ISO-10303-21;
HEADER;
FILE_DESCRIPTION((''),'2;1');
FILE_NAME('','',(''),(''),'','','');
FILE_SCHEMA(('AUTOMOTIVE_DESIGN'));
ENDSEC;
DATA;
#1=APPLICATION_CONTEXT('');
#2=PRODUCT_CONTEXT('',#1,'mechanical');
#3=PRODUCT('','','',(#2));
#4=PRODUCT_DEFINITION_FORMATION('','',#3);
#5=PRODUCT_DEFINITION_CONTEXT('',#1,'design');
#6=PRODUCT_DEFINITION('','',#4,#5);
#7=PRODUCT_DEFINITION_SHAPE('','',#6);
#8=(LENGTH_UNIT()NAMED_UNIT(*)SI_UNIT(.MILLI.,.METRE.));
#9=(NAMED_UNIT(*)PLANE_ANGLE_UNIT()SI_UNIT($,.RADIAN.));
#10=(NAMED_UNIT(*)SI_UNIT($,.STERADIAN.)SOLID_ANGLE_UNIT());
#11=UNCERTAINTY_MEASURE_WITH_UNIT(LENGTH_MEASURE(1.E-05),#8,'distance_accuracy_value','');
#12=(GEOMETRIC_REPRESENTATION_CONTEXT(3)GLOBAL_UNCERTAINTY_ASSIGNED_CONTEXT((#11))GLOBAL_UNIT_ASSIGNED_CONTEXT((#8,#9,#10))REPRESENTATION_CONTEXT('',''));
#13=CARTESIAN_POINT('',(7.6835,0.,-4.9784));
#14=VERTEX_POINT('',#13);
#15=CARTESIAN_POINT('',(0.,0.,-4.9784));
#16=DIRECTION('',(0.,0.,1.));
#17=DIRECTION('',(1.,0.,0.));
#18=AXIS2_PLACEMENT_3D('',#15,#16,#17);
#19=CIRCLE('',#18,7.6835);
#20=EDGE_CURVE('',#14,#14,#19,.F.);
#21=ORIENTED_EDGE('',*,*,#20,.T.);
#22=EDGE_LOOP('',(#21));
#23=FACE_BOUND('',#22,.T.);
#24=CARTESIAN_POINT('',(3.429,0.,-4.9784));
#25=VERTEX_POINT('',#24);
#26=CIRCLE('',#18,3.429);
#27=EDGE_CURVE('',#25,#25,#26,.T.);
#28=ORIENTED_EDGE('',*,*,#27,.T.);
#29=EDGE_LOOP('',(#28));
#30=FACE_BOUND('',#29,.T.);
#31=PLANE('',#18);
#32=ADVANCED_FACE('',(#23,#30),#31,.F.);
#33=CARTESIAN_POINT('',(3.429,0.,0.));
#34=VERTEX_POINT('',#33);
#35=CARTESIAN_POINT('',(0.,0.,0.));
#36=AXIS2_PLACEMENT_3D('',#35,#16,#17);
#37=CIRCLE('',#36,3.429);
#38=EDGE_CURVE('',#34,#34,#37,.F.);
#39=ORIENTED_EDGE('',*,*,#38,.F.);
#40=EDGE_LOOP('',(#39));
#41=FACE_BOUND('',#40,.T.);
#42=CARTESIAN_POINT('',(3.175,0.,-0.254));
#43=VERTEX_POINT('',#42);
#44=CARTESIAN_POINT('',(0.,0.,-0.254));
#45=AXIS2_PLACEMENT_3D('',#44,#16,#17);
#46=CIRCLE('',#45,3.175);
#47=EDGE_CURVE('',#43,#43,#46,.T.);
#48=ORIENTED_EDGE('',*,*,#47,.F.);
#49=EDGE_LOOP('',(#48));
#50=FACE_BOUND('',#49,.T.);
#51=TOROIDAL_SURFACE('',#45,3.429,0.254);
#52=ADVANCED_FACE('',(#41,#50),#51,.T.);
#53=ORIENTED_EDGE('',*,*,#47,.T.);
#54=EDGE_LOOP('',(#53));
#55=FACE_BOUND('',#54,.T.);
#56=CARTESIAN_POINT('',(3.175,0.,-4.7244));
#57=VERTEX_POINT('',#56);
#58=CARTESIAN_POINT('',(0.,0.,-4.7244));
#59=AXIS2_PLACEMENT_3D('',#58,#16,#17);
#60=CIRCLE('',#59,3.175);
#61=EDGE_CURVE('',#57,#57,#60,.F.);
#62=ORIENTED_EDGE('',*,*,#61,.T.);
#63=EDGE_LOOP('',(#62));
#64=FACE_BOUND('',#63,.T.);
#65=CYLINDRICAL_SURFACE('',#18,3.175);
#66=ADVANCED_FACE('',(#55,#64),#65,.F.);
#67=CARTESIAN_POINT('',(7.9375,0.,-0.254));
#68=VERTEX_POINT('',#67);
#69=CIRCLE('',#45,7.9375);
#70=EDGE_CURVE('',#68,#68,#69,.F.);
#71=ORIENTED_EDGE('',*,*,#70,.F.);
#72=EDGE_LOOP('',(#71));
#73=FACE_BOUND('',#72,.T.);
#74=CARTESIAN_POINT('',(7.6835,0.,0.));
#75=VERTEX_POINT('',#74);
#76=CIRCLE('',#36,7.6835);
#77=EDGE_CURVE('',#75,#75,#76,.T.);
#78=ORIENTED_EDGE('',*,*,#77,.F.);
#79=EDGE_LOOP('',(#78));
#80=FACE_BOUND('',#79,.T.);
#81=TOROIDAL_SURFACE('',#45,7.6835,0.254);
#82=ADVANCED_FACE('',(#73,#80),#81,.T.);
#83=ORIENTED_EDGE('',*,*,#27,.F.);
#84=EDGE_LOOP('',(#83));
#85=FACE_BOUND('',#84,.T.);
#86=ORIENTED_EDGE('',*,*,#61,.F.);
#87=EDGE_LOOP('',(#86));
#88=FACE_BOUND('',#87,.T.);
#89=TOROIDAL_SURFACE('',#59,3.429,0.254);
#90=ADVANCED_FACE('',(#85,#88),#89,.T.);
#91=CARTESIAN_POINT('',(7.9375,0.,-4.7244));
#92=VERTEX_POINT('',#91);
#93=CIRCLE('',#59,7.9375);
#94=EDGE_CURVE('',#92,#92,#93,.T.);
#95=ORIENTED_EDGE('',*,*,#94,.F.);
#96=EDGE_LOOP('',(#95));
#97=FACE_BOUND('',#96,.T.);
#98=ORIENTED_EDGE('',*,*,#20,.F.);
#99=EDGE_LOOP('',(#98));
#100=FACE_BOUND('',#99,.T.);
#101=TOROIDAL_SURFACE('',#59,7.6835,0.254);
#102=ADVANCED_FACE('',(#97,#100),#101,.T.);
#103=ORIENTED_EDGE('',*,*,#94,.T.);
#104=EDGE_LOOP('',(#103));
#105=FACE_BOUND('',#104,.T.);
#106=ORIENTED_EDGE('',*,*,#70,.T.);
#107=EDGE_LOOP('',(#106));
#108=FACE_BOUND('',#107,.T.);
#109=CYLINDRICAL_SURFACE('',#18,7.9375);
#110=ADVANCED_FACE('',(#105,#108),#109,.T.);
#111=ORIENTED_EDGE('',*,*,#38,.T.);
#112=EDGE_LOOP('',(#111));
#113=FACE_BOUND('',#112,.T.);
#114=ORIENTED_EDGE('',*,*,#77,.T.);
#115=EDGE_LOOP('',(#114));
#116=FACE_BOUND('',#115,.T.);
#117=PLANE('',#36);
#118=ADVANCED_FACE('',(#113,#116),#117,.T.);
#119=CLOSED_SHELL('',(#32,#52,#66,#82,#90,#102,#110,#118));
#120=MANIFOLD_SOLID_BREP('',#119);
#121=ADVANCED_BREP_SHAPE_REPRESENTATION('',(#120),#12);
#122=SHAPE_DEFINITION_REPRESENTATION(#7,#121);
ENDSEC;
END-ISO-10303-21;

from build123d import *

# Parameters (mm, degrees)
SKETCH1_R               = 7.9375
BOSS_EXTRUDE1_DEPTH     = 4.9784
CUT_EXTRUDE1_DEPTH      = 13.279750774
CUT_EXTRUDE1_DEPTH_BACK = 13.279750774
SKETCH2_R               = 3.175
FILLET1_R               = 0.254
FILLET2_R               = 0.254


with BuildPart() as part:
    # Sketch1 → Boss-Extrude1 (new body)
    with BuildSketch(Plane.XY):
        Circle(SKETCH1_R)
    extrude(amount=-BOSS_EXTRUDE1_DEPTH)

    # Sketch2 → Cut-Extrude1 (cut, two sides: drawn at the far end of the back side and taken through both)
    with BuildSketch(Plane.XY.offset(-CUT_EXTRUDE1_DEPTH_BACK)):
        Circle(SKETCH2_R)
    extrude(amount=CUT_EXTRUDE1_DEPTH + CUT_EXTRUDE1_DEPTH_BACK, mode=Mode.SUBTRACT)

    # Fillet1
    fillet1_edges = [part.edges().sort_by_distance(p)[0] for p in [
        (-7.9375, 0, 0),
    ]]
    fillet(fillet1_edges, radius=FILLET1_R)

    # Fillet2
    fillet2_edges = [part.edges().sort_by_distance(p)[0] for p in [
        (-7.9375, 0, -4.9784),
        (-3.175, 0, 0),
        (-3.175, 0, -4.9784),
    ]]
    fillet(fillet2_edges, radius=FILLET2_R)


solid = part.part
